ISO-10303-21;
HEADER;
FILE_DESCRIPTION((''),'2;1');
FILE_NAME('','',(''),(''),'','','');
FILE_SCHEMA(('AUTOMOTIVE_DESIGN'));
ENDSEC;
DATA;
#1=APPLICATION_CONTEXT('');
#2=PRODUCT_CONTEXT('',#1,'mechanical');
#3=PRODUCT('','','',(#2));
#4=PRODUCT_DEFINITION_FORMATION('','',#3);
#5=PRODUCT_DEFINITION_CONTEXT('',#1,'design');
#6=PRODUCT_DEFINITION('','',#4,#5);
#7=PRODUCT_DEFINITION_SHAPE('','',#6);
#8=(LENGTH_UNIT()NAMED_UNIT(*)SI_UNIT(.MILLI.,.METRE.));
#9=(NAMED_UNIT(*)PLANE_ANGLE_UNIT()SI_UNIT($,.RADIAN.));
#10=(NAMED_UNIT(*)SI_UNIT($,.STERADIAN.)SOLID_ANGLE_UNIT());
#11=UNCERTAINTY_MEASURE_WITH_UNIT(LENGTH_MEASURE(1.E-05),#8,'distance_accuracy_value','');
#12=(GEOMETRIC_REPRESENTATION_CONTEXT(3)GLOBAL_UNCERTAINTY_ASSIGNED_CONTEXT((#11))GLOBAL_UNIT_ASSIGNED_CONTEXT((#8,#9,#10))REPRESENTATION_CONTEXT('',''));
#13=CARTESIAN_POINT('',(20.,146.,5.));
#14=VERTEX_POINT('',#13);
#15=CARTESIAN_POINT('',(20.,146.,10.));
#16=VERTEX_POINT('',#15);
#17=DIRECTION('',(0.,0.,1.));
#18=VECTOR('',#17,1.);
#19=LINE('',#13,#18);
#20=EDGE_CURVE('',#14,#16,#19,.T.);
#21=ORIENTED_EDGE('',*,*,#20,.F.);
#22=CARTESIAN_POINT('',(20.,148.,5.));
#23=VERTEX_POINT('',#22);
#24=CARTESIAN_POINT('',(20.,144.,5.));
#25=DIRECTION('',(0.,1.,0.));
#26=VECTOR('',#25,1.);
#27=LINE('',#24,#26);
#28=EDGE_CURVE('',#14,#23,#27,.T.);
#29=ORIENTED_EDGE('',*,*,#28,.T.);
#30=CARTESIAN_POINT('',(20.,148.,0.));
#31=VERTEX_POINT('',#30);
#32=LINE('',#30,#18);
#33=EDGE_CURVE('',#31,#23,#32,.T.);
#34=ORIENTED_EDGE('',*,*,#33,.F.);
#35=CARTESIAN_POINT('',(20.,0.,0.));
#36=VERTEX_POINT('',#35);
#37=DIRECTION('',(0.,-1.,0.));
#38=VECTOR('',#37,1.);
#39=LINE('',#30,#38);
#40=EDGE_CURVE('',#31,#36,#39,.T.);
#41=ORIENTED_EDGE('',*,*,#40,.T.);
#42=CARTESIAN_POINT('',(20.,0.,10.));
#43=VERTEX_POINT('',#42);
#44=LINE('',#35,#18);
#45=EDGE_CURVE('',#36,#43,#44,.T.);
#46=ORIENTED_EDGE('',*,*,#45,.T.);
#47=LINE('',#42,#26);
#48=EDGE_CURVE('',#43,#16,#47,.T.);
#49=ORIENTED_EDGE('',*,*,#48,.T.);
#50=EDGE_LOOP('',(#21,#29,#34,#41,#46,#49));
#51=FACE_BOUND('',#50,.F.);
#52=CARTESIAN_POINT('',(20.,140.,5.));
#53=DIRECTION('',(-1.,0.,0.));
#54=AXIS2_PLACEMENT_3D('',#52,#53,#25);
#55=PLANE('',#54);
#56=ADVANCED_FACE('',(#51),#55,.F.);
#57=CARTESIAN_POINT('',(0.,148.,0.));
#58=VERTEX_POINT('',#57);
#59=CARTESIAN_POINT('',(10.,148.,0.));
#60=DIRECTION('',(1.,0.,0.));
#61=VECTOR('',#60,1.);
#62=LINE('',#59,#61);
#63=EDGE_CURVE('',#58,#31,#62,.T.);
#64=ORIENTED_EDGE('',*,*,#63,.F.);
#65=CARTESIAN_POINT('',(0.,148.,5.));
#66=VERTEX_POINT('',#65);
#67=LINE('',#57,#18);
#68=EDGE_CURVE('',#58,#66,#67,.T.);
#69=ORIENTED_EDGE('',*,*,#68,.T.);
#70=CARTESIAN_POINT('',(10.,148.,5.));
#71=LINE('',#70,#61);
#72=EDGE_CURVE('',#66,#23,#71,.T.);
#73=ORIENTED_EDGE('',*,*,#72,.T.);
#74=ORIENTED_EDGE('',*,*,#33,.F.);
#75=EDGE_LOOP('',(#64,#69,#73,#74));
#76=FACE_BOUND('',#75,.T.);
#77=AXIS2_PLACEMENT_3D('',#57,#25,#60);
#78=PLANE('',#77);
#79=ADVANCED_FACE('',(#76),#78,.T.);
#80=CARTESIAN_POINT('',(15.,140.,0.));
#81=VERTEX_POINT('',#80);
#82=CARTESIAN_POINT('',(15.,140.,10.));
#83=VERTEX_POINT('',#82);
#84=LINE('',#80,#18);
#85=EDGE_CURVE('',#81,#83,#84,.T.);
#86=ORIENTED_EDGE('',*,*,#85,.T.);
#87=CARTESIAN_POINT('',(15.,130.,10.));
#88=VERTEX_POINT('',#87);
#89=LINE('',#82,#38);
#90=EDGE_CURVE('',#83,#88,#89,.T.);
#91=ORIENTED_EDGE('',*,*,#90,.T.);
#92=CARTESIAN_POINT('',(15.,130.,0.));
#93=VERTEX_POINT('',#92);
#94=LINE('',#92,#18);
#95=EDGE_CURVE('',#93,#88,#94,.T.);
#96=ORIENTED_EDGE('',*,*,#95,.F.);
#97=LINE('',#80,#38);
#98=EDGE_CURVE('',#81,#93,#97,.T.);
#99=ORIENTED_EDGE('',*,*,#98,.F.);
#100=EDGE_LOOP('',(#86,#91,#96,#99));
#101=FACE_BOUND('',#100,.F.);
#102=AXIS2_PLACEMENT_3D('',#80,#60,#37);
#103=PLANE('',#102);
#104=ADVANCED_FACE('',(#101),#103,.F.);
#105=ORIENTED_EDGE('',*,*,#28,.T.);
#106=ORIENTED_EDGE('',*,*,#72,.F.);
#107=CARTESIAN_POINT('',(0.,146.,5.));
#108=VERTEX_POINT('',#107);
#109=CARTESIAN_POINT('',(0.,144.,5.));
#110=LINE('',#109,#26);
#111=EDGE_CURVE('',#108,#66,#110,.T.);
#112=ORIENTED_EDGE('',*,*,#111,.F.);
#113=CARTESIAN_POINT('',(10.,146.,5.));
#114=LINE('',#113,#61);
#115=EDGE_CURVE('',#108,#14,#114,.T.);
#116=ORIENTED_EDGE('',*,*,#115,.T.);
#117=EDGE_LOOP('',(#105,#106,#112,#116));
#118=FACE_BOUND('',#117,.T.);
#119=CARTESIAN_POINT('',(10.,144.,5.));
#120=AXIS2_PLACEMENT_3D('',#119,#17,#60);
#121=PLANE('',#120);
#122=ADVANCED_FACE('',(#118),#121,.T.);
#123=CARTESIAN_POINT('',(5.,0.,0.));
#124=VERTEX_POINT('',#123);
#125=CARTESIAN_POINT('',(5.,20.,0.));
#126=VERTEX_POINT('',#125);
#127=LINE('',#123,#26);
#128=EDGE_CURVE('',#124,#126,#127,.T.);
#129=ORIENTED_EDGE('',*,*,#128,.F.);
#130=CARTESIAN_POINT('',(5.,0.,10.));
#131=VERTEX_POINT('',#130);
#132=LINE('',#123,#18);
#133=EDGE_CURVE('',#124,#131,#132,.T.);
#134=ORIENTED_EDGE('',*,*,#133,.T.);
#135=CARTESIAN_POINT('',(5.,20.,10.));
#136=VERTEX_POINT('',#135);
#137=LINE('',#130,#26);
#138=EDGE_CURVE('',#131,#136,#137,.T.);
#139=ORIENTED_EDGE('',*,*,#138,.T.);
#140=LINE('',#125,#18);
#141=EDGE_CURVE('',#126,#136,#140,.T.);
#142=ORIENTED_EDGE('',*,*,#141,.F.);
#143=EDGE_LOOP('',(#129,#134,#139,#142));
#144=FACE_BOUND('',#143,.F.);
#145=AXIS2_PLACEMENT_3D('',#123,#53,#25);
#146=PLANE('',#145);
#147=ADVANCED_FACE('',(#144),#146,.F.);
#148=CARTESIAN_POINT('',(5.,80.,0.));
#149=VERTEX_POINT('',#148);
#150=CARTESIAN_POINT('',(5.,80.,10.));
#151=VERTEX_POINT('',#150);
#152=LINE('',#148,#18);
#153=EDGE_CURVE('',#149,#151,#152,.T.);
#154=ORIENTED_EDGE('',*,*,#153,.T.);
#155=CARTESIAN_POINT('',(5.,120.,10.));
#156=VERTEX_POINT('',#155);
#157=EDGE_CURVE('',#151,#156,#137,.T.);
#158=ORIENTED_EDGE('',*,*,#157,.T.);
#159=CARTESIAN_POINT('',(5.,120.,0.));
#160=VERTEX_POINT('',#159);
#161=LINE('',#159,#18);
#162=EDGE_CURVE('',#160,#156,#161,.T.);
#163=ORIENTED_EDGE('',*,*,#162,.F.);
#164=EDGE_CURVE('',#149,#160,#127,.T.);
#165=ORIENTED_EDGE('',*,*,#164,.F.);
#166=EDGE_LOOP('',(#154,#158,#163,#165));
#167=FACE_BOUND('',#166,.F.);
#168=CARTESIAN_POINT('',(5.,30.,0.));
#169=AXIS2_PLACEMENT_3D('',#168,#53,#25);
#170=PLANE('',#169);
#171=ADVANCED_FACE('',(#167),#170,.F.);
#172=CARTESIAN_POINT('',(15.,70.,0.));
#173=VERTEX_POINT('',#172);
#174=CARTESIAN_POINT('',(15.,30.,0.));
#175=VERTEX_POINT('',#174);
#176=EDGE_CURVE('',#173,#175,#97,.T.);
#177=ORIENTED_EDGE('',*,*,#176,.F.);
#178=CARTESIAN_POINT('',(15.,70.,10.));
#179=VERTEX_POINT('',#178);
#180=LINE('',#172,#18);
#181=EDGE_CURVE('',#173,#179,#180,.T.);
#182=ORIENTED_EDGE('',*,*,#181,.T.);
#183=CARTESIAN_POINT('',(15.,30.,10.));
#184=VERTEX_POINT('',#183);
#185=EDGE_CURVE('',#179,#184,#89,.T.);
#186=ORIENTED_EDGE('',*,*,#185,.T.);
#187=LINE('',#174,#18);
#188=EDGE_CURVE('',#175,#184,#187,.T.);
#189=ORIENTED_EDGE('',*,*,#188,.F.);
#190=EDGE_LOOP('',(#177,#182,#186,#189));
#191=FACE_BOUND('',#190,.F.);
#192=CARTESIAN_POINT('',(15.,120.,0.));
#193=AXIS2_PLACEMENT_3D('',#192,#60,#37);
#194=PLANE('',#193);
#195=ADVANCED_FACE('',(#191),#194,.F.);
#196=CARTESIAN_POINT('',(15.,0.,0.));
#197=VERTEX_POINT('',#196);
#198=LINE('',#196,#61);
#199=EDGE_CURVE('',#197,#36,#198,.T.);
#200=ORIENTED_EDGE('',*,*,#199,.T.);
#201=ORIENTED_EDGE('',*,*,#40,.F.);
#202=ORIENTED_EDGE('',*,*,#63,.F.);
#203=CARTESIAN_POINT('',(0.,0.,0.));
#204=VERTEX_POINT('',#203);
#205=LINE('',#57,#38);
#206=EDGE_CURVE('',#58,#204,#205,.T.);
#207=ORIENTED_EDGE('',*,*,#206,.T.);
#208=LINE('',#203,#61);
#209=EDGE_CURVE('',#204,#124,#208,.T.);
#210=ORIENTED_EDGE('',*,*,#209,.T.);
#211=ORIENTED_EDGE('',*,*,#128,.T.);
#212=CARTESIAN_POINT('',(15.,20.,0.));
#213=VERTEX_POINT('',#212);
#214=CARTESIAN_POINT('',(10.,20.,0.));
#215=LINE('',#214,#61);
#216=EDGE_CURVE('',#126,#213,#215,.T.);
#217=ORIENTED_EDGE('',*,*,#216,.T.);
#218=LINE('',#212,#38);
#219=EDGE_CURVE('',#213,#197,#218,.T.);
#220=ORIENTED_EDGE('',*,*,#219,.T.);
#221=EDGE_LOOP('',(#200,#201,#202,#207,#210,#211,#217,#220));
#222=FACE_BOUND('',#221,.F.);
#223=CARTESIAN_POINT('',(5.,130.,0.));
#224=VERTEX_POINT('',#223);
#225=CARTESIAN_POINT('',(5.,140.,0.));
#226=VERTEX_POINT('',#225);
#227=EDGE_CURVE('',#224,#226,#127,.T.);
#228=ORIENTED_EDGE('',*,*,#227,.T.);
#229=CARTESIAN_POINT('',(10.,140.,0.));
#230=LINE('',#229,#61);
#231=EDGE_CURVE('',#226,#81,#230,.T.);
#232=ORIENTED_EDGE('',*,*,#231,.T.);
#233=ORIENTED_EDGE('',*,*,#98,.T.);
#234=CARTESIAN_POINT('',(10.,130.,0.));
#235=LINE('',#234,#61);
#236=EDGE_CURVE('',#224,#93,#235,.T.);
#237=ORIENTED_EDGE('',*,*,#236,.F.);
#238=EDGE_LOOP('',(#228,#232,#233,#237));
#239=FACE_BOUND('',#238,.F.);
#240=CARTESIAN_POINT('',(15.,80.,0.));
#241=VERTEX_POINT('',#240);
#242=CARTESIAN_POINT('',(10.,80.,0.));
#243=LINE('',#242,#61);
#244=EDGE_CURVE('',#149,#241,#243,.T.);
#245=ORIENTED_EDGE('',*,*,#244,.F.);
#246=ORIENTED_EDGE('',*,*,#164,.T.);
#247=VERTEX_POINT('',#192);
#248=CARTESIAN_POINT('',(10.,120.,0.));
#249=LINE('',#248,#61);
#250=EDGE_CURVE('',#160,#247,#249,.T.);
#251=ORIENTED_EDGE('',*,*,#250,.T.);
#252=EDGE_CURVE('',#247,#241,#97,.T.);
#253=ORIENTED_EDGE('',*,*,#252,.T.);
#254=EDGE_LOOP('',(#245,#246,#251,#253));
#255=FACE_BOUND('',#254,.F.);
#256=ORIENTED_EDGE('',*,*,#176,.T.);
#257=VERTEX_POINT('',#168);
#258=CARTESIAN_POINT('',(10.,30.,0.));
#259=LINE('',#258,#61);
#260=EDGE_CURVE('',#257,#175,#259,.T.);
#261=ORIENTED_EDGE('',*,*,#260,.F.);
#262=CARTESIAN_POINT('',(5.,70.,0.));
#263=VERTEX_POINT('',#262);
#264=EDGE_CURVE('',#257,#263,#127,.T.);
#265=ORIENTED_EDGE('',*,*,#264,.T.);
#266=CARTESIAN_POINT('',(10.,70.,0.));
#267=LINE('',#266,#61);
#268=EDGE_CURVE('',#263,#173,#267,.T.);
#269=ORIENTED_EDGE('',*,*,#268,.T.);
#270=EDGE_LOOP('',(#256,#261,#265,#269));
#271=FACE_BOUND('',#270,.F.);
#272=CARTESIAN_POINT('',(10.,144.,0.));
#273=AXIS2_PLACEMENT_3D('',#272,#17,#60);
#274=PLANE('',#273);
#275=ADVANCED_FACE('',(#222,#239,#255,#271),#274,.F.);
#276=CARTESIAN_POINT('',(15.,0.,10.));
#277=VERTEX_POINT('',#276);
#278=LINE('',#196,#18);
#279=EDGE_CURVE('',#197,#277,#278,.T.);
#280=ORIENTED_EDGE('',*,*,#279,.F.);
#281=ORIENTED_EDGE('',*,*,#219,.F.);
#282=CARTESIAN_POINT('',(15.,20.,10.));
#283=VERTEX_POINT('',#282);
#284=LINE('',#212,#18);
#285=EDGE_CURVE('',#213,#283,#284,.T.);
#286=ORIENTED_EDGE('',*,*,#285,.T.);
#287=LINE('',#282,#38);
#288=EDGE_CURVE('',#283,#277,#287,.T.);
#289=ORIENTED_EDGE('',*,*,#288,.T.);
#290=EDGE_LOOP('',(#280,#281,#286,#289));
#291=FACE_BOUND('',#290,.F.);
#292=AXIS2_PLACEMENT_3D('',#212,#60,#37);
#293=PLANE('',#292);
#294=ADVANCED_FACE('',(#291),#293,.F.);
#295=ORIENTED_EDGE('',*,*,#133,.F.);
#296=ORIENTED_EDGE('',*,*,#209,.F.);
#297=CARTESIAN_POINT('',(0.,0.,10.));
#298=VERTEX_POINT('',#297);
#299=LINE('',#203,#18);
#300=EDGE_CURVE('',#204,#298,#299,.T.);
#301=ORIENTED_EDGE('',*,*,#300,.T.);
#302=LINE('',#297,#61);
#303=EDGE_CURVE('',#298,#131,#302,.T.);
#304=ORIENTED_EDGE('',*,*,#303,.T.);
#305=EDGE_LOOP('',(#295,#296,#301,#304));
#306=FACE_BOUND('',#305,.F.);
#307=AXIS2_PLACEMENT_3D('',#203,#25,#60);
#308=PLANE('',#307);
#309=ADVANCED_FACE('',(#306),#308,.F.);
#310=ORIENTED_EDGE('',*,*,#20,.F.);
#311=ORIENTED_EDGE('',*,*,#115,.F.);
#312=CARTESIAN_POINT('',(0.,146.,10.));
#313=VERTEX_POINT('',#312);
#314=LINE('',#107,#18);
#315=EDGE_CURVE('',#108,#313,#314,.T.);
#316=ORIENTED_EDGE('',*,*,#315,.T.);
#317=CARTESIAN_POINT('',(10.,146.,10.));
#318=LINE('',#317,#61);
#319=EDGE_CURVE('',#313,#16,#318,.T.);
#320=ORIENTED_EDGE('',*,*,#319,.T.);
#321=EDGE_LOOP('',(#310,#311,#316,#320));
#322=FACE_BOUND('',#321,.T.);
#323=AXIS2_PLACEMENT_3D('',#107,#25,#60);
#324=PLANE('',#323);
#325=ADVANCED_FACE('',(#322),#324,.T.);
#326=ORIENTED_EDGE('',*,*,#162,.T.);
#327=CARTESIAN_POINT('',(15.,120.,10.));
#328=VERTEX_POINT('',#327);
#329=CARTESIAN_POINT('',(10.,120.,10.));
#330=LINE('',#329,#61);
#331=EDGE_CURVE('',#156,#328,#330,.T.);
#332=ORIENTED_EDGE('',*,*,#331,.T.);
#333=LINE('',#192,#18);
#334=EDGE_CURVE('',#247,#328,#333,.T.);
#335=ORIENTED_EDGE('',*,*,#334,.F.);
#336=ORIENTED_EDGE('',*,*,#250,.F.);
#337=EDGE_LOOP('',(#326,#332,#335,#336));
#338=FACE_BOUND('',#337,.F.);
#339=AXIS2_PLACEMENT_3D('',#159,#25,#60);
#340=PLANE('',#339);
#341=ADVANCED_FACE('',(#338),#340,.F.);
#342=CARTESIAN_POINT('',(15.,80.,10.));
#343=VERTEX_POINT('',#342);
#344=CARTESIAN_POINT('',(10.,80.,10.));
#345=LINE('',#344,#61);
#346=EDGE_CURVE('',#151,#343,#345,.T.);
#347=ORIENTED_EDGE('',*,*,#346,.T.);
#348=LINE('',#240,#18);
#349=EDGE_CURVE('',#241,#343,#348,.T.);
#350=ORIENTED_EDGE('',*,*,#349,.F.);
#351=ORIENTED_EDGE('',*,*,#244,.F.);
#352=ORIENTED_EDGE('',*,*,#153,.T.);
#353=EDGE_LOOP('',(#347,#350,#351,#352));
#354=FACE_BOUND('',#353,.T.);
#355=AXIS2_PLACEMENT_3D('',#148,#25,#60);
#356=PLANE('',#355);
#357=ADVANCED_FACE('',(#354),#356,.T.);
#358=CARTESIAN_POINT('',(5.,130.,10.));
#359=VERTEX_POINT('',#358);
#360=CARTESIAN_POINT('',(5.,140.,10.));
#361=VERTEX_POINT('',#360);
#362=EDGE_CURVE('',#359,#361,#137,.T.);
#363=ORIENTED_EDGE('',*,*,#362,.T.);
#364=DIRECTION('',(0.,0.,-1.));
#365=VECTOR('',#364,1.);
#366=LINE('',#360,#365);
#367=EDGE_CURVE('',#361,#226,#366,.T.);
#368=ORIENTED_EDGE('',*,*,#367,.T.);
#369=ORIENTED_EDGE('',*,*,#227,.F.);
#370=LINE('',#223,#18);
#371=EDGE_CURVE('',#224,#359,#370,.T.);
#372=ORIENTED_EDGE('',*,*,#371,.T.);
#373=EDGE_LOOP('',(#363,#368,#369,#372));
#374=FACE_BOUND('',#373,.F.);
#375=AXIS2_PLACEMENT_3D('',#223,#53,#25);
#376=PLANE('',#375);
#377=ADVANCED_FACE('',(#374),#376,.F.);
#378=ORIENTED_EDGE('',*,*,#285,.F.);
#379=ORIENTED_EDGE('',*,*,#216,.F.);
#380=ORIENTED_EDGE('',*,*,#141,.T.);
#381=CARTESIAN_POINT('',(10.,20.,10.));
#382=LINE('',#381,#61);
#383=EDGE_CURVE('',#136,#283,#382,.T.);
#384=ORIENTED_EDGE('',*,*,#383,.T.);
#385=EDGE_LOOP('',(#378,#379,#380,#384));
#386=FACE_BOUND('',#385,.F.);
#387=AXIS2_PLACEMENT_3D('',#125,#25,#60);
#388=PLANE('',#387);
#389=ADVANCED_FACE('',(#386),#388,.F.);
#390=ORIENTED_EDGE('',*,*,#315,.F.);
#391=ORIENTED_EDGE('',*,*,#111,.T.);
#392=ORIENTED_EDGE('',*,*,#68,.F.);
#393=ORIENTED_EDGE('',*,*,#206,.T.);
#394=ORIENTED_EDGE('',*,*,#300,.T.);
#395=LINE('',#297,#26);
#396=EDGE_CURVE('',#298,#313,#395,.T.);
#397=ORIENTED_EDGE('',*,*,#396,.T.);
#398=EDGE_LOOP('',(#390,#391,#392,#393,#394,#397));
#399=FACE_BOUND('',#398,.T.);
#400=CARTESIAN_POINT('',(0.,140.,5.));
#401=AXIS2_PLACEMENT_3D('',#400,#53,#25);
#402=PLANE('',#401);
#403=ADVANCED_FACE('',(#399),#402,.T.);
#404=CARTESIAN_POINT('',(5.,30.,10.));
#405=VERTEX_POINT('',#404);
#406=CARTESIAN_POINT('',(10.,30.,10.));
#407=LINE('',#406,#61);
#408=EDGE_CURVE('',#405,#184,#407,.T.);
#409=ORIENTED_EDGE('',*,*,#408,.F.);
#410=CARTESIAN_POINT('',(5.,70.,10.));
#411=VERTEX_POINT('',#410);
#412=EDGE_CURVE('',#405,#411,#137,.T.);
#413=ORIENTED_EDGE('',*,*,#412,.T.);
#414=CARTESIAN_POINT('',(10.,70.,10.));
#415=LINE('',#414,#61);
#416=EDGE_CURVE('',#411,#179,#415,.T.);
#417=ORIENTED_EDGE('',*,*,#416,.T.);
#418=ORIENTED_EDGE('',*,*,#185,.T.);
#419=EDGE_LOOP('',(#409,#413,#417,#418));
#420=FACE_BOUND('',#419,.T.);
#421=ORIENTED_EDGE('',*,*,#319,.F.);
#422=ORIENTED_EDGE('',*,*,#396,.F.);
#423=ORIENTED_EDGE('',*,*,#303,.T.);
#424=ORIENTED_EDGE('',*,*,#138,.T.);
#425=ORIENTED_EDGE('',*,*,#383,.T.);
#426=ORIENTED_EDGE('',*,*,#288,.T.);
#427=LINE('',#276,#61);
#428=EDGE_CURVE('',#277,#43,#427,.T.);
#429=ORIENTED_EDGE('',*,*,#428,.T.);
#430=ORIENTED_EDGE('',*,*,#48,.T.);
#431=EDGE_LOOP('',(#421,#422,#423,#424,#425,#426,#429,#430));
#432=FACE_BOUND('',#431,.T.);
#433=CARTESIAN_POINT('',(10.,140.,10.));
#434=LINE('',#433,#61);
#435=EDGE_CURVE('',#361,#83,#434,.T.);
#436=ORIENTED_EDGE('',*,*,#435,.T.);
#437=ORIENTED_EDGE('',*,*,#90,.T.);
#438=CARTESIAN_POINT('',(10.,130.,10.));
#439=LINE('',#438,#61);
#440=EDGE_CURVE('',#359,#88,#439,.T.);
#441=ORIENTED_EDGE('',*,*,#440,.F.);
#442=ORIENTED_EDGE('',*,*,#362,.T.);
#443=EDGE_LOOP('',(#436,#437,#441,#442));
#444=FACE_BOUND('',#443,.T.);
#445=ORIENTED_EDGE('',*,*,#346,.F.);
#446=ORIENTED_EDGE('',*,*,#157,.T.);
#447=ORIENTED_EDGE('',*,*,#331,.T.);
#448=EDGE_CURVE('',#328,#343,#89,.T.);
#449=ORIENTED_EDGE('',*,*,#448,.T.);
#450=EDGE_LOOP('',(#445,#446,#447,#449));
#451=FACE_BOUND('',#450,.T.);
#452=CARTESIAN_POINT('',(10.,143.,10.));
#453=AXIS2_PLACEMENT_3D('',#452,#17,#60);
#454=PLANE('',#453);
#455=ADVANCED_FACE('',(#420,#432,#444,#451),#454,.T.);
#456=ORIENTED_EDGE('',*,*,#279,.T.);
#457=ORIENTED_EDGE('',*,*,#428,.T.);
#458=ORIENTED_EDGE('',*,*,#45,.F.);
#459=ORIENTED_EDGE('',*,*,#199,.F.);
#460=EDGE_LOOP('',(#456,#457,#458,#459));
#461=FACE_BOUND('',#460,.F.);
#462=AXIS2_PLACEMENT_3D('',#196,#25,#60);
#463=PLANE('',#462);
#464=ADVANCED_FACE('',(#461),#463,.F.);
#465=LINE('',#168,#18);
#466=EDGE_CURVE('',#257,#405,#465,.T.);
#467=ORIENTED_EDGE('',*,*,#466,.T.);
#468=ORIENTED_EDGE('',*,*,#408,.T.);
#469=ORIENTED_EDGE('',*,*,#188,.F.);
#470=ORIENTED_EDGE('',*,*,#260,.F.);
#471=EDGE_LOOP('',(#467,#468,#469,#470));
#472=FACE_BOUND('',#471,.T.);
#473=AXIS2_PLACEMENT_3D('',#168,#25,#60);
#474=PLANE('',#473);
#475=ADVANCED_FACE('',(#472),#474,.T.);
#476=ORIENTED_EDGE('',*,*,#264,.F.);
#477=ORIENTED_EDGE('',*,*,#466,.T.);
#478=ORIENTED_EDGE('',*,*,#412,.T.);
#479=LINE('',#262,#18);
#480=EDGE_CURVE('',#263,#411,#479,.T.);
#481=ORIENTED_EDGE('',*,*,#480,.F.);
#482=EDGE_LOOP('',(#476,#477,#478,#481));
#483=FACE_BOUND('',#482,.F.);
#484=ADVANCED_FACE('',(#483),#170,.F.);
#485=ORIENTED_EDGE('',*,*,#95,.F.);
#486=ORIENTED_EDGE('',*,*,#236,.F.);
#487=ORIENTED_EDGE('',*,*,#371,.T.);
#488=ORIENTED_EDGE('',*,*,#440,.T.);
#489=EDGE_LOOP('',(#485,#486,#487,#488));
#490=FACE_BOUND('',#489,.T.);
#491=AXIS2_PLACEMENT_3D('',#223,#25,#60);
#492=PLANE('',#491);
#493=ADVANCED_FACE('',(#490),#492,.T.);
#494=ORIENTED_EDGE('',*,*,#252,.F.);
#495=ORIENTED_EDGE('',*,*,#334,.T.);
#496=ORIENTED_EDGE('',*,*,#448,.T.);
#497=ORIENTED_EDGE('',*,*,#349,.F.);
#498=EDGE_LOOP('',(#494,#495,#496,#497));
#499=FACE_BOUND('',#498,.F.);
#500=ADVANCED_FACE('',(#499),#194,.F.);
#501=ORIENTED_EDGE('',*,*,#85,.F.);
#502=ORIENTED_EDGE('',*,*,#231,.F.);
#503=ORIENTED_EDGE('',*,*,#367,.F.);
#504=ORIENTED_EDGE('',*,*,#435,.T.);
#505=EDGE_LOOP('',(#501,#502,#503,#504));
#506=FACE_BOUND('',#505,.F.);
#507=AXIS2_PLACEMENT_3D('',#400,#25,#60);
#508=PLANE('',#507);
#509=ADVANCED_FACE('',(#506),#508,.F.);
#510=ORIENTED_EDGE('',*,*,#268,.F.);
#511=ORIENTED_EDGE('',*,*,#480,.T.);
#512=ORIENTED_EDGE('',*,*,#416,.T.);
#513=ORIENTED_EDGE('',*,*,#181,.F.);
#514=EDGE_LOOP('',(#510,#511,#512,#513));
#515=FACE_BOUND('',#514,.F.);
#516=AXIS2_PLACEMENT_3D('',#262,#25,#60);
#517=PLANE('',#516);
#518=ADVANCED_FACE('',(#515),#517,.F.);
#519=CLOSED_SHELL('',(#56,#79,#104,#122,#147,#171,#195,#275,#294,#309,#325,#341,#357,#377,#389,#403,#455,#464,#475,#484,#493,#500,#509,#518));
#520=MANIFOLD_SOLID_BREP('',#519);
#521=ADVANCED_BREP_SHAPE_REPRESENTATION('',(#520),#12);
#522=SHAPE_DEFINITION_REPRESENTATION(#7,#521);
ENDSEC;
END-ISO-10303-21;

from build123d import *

# Parameters (mm, degrees)
F0_W     = 10
F0_H     = 10
F1_DEPTH = 10
F2_W     = 10
F2_H     = 10
F3_DEPTH = 10
F4_W     = 20
F4_H     = 8
F5_DEPTH = 5
F6_W     = 20
F6_H     = 6
F7_DEPTH = 5


with BuildPart() as f1:
    # F0 (on Top) → F1 (new body)
    with BuildSketch(Plane.XY):
        Polygon((0, 140), (0, 0), (5, 0), (5, 20), (5, 30), (5, 70), (5, 80), (5, 120), (5, 130), (5, 140), align=None)
        with Locations((10, 25)):
            Rectangle(F0_W, F0_H)
        Polygon((15, 30), (15, 20), (15, 0), (20, 0), (20, 140), (15, 140), (15, 130), (15, 120), (15, 80), (15, 70), align=None)
        with Locations((10, 125)):
            Rectangle(F0_W, F0_H)
    extrude(amount=F1_DEPTH)

    # F2 (on Top) → F3 (join)
    with BuildSketch(Plane.XY):
        with Locations((10, 75)):
            Rectangle(F2_W, F2_H)
    extrude(amount=F3_DEPTH)

    # F4 (on Top) → F5 (join)
    with BuildSketch(Plane.XY):
        with Locations((10, 144)):
            Rectangle(F4_W, F4_H)
    extrude(amount=F5_DEPTH)

    # F6 (on face) → F7 (join)
    with BuildSketch(Plane.XY.offset(5)):
        with Locations((10, 143)):
            Rectangle(F6_W, F6_H)
    extrude(amount=F7_DEPTH)


solid = f1.part
